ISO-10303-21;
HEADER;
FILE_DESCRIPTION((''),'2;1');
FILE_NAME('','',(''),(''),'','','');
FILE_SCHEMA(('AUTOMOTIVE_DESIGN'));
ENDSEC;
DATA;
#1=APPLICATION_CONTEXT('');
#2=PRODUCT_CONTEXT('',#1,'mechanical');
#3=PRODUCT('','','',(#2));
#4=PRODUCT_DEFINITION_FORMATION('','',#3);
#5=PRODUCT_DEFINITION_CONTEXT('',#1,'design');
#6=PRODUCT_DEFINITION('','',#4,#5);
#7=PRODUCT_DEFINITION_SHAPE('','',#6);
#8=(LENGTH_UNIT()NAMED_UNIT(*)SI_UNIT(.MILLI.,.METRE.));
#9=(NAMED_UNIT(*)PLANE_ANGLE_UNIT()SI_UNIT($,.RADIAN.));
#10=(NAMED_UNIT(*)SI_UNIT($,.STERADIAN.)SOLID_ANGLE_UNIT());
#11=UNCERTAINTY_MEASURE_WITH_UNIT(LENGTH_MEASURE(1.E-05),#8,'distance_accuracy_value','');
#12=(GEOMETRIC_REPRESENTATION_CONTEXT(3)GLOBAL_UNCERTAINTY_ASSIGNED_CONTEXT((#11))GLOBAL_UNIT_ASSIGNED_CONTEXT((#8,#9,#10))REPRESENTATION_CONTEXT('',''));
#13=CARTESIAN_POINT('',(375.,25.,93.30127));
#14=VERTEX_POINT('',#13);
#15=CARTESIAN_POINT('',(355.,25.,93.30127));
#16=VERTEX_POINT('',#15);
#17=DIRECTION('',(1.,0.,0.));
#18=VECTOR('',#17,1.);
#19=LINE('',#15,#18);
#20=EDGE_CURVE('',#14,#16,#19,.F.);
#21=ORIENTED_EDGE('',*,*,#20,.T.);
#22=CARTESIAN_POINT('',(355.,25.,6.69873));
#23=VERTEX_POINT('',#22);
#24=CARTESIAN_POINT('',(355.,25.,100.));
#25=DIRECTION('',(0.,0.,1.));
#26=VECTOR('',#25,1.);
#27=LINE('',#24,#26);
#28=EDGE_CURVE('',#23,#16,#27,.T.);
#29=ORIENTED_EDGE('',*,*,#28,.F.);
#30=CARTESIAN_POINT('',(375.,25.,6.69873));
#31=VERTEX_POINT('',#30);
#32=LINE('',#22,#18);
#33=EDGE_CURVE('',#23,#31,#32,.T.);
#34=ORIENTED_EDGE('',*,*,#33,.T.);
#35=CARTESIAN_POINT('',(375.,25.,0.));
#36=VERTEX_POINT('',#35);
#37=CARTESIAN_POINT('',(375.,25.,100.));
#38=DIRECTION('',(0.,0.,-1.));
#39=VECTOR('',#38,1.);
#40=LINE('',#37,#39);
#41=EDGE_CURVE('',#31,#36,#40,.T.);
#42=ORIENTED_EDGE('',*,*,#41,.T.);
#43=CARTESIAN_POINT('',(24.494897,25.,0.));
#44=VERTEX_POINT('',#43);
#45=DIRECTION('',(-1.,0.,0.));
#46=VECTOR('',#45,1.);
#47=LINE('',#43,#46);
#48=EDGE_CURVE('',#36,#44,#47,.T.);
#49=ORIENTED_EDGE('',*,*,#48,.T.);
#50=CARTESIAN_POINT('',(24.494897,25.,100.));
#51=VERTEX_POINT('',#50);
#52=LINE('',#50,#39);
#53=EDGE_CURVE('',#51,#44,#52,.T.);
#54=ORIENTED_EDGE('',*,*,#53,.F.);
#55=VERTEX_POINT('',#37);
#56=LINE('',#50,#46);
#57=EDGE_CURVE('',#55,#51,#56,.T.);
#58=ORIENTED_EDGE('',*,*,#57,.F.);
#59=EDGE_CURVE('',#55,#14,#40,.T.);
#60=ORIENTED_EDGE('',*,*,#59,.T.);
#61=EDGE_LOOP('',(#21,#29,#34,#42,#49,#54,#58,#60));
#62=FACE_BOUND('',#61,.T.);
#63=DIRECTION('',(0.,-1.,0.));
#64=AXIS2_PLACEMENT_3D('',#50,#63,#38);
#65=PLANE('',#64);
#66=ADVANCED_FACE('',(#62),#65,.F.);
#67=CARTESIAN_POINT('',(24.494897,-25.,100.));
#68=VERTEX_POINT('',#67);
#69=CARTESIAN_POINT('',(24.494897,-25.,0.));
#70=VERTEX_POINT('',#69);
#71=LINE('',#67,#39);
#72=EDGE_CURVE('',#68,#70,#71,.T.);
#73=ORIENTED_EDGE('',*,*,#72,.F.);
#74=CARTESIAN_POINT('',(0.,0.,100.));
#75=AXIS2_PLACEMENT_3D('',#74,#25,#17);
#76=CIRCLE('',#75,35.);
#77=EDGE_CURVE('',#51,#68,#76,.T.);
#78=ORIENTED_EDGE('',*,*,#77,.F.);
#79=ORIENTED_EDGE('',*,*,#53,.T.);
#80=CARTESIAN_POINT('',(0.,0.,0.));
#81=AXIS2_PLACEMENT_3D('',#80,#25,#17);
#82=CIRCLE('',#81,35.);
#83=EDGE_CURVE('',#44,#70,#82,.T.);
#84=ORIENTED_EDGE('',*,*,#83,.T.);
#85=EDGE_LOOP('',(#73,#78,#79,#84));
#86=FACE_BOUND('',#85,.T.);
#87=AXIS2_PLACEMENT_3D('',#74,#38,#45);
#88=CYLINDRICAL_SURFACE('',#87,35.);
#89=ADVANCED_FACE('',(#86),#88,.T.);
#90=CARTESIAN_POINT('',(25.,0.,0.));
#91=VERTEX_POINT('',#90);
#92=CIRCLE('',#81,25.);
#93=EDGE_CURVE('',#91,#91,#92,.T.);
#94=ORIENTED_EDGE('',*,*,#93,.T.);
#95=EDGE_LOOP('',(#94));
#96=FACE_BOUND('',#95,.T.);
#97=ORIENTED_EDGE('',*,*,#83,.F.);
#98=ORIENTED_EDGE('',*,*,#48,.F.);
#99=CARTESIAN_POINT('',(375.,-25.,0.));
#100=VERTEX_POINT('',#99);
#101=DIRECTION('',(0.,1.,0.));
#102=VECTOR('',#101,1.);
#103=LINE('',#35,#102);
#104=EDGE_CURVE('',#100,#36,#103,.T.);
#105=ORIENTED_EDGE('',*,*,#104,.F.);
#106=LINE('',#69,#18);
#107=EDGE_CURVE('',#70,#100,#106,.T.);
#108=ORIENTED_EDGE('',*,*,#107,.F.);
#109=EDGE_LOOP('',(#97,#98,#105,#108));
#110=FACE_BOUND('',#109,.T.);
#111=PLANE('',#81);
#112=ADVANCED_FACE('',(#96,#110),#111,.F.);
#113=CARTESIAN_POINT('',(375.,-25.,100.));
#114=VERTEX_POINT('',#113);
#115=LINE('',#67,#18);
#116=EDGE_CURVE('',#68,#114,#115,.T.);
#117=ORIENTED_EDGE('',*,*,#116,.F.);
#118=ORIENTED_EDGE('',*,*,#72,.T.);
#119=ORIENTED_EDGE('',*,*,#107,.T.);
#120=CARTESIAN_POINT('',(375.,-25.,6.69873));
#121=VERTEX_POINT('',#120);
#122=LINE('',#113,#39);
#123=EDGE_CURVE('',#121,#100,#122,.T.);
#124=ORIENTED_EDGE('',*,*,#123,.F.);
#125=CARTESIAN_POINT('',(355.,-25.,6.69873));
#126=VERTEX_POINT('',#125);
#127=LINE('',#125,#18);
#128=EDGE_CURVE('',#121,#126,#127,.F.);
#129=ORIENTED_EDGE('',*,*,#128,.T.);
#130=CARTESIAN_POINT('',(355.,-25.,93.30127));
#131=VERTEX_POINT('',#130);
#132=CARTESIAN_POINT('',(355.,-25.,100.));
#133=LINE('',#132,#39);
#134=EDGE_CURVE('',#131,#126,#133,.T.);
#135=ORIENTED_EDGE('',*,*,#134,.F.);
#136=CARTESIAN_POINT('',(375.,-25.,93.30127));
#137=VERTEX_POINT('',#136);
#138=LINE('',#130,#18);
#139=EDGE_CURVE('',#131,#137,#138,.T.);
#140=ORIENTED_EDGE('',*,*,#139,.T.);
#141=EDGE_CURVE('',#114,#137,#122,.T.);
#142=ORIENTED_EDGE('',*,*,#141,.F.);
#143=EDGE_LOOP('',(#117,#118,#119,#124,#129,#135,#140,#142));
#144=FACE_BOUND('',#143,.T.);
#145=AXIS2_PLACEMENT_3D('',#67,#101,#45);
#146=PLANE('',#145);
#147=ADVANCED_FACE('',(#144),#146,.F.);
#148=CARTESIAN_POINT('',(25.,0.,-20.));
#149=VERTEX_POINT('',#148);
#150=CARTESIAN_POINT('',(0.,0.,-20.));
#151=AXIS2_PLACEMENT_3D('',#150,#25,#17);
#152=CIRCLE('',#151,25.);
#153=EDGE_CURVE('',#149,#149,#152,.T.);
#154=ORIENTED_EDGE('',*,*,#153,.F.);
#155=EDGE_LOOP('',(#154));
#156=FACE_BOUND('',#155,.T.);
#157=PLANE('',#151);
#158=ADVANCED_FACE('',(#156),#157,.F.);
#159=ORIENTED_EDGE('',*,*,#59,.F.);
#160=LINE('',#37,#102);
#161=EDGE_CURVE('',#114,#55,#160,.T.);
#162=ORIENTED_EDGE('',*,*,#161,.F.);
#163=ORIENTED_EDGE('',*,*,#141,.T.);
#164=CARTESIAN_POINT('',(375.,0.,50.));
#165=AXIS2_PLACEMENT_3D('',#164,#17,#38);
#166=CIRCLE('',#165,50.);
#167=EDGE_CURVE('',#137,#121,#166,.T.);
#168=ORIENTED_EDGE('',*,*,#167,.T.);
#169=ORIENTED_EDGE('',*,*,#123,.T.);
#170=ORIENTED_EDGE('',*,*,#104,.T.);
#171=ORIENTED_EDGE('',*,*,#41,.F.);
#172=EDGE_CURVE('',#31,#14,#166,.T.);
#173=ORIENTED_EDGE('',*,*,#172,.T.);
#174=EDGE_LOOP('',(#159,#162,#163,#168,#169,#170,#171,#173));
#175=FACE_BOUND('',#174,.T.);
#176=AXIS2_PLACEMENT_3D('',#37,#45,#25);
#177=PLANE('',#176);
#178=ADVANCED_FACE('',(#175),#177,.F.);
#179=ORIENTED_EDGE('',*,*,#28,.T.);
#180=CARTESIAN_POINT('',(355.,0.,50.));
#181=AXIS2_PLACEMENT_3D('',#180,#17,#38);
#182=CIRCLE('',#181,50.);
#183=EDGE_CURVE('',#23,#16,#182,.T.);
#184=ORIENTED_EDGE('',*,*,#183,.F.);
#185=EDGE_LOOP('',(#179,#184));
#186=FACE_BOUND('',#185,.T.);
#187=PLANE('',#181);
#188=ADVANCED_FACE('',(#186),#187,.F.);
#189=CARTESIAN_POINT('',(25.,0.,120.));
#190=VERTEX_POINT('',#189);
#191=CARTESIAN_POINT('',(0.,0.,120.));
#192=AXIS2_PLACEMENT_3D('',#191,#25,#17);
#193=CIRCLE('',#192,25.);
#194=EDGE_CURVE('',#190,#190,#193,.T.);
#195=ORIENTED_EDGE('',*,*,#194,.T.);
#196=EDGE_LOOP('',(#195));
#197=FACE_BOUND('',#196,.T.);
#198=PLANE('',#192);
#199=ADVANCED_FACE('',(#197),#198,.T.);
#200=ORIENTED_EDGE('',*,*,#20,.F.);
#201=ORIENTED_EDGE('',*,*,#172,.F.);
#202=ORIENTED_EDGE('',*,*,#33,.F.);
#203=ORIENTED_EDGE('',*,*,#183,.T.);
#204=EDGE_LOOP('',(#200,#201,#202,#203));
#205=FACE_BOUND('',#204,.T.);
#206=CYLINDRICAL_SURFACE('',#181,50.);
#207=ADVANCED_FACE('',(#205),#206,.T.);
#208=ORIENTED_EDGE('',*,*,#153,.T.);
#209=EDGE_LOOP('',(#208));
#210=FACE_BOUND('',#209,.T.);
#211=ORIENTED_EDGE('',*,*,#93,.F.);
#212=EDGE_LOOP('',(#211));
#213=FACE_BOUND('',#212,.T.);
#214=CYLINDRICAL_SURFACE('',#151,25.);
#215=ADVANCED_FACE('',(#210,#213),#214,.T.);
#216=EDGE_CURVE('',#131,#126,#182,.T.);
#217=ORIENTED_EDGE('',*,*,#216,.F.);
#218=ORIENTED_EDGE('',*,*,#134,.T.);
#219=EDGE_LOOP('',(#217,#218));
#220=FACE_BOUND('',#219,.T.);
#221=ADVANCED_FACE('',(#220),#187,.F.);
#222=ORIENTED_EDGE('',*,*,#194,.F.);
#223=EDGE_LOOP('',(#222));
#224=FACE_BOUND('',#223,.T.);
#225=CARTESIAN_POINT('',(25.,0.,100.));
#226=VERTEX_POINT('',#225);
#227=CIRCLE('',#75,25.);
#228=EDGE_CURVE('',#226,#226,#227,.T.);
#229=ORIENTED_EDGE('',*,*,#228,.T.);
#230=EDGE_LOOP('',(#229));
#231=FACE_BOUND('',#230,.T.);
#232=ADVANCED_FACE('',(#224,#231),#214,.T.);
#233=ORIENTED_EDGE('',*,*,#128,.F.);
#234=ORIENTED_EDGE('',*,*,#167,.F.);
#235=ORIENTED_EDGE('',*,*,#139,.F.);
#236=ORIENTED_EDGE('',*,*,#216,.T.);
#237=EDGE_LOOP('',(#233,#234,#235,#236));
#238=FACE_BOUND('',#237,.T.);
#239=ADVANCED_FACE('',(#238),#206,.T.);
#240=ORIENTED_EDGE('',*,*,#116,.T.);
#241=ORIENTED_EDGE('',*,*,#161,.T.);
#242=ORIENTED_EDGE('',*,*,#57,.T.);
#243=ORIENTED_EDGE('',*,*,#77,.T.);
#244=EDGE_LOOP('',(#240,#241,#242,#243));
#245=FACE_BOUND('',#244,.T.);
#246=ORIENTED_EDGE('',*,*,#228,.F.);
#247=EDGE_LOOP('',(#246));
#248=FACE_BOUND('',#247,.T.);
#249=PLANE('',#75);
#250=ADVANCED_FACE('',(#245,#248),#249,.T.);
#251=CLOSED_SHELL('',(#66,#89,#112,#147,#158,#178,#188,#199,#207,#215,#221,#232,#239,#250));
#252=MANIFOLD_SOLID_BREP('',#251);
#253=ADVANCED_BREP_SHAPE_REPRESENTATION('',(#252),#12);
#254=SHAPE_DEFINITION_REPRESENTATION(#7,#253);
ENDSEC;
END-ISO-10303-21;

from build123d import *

# Parameters (mm, degrees)
BOSS_EXTRUDE1_DEPTH      = 100
SKETCH2_R                = 50
BOSS_EXTRUDE2_DEPTH      = 20
SKETCH3_R                = 25
BOSS_EXTRUDE3_DEPTH      = 20
BOSS_EXTRUDE3_DEPTH_BACK = 120


with BuildPart() as part:
    # Sketch1 → Boss-Extrude1 (new body)
    with BuildSketch(Plane.XY):
        with BuildLine():
            Line((24.494897428, 25), (375, 25))
            Line((375, 25), (375, -25))
            Line((375, -25), (24.494897428, -25))
            ThreePointArc((24.494897428, -25), (-35, 0), (24.494897428, 25))
        make_face()
    extrude(amount=BOSS_EXTRUDE1_DEPTH)

    # Sketch2 → Boss-Extrude2 (add)
    with BuildSketch(Plane(origin=(375, 0, 0), x_dir=(0, 0, -1), z_dir=(1, 0, 0))):
        with Locations((-50, 0)):
            Circle(SKETCH2_R)
    extrude(amount=-BOSS_EXTRUDE2_DEPTH)

    # Sketch3 → Boss-Extrude3 (add, two sides)
    with BuildSketch(Plane.XY.offset(100)) as boss_extrude3_sk:
        Circle(SKETCH3_R)
    extrude(amount=BOSS_EXTRUDE3_DEPTH)
    extrude(boss_extrude3_sk.sketch, amount=-BOSS_EXTRUDE3_DEPTH_BACK)


solid = part.part
